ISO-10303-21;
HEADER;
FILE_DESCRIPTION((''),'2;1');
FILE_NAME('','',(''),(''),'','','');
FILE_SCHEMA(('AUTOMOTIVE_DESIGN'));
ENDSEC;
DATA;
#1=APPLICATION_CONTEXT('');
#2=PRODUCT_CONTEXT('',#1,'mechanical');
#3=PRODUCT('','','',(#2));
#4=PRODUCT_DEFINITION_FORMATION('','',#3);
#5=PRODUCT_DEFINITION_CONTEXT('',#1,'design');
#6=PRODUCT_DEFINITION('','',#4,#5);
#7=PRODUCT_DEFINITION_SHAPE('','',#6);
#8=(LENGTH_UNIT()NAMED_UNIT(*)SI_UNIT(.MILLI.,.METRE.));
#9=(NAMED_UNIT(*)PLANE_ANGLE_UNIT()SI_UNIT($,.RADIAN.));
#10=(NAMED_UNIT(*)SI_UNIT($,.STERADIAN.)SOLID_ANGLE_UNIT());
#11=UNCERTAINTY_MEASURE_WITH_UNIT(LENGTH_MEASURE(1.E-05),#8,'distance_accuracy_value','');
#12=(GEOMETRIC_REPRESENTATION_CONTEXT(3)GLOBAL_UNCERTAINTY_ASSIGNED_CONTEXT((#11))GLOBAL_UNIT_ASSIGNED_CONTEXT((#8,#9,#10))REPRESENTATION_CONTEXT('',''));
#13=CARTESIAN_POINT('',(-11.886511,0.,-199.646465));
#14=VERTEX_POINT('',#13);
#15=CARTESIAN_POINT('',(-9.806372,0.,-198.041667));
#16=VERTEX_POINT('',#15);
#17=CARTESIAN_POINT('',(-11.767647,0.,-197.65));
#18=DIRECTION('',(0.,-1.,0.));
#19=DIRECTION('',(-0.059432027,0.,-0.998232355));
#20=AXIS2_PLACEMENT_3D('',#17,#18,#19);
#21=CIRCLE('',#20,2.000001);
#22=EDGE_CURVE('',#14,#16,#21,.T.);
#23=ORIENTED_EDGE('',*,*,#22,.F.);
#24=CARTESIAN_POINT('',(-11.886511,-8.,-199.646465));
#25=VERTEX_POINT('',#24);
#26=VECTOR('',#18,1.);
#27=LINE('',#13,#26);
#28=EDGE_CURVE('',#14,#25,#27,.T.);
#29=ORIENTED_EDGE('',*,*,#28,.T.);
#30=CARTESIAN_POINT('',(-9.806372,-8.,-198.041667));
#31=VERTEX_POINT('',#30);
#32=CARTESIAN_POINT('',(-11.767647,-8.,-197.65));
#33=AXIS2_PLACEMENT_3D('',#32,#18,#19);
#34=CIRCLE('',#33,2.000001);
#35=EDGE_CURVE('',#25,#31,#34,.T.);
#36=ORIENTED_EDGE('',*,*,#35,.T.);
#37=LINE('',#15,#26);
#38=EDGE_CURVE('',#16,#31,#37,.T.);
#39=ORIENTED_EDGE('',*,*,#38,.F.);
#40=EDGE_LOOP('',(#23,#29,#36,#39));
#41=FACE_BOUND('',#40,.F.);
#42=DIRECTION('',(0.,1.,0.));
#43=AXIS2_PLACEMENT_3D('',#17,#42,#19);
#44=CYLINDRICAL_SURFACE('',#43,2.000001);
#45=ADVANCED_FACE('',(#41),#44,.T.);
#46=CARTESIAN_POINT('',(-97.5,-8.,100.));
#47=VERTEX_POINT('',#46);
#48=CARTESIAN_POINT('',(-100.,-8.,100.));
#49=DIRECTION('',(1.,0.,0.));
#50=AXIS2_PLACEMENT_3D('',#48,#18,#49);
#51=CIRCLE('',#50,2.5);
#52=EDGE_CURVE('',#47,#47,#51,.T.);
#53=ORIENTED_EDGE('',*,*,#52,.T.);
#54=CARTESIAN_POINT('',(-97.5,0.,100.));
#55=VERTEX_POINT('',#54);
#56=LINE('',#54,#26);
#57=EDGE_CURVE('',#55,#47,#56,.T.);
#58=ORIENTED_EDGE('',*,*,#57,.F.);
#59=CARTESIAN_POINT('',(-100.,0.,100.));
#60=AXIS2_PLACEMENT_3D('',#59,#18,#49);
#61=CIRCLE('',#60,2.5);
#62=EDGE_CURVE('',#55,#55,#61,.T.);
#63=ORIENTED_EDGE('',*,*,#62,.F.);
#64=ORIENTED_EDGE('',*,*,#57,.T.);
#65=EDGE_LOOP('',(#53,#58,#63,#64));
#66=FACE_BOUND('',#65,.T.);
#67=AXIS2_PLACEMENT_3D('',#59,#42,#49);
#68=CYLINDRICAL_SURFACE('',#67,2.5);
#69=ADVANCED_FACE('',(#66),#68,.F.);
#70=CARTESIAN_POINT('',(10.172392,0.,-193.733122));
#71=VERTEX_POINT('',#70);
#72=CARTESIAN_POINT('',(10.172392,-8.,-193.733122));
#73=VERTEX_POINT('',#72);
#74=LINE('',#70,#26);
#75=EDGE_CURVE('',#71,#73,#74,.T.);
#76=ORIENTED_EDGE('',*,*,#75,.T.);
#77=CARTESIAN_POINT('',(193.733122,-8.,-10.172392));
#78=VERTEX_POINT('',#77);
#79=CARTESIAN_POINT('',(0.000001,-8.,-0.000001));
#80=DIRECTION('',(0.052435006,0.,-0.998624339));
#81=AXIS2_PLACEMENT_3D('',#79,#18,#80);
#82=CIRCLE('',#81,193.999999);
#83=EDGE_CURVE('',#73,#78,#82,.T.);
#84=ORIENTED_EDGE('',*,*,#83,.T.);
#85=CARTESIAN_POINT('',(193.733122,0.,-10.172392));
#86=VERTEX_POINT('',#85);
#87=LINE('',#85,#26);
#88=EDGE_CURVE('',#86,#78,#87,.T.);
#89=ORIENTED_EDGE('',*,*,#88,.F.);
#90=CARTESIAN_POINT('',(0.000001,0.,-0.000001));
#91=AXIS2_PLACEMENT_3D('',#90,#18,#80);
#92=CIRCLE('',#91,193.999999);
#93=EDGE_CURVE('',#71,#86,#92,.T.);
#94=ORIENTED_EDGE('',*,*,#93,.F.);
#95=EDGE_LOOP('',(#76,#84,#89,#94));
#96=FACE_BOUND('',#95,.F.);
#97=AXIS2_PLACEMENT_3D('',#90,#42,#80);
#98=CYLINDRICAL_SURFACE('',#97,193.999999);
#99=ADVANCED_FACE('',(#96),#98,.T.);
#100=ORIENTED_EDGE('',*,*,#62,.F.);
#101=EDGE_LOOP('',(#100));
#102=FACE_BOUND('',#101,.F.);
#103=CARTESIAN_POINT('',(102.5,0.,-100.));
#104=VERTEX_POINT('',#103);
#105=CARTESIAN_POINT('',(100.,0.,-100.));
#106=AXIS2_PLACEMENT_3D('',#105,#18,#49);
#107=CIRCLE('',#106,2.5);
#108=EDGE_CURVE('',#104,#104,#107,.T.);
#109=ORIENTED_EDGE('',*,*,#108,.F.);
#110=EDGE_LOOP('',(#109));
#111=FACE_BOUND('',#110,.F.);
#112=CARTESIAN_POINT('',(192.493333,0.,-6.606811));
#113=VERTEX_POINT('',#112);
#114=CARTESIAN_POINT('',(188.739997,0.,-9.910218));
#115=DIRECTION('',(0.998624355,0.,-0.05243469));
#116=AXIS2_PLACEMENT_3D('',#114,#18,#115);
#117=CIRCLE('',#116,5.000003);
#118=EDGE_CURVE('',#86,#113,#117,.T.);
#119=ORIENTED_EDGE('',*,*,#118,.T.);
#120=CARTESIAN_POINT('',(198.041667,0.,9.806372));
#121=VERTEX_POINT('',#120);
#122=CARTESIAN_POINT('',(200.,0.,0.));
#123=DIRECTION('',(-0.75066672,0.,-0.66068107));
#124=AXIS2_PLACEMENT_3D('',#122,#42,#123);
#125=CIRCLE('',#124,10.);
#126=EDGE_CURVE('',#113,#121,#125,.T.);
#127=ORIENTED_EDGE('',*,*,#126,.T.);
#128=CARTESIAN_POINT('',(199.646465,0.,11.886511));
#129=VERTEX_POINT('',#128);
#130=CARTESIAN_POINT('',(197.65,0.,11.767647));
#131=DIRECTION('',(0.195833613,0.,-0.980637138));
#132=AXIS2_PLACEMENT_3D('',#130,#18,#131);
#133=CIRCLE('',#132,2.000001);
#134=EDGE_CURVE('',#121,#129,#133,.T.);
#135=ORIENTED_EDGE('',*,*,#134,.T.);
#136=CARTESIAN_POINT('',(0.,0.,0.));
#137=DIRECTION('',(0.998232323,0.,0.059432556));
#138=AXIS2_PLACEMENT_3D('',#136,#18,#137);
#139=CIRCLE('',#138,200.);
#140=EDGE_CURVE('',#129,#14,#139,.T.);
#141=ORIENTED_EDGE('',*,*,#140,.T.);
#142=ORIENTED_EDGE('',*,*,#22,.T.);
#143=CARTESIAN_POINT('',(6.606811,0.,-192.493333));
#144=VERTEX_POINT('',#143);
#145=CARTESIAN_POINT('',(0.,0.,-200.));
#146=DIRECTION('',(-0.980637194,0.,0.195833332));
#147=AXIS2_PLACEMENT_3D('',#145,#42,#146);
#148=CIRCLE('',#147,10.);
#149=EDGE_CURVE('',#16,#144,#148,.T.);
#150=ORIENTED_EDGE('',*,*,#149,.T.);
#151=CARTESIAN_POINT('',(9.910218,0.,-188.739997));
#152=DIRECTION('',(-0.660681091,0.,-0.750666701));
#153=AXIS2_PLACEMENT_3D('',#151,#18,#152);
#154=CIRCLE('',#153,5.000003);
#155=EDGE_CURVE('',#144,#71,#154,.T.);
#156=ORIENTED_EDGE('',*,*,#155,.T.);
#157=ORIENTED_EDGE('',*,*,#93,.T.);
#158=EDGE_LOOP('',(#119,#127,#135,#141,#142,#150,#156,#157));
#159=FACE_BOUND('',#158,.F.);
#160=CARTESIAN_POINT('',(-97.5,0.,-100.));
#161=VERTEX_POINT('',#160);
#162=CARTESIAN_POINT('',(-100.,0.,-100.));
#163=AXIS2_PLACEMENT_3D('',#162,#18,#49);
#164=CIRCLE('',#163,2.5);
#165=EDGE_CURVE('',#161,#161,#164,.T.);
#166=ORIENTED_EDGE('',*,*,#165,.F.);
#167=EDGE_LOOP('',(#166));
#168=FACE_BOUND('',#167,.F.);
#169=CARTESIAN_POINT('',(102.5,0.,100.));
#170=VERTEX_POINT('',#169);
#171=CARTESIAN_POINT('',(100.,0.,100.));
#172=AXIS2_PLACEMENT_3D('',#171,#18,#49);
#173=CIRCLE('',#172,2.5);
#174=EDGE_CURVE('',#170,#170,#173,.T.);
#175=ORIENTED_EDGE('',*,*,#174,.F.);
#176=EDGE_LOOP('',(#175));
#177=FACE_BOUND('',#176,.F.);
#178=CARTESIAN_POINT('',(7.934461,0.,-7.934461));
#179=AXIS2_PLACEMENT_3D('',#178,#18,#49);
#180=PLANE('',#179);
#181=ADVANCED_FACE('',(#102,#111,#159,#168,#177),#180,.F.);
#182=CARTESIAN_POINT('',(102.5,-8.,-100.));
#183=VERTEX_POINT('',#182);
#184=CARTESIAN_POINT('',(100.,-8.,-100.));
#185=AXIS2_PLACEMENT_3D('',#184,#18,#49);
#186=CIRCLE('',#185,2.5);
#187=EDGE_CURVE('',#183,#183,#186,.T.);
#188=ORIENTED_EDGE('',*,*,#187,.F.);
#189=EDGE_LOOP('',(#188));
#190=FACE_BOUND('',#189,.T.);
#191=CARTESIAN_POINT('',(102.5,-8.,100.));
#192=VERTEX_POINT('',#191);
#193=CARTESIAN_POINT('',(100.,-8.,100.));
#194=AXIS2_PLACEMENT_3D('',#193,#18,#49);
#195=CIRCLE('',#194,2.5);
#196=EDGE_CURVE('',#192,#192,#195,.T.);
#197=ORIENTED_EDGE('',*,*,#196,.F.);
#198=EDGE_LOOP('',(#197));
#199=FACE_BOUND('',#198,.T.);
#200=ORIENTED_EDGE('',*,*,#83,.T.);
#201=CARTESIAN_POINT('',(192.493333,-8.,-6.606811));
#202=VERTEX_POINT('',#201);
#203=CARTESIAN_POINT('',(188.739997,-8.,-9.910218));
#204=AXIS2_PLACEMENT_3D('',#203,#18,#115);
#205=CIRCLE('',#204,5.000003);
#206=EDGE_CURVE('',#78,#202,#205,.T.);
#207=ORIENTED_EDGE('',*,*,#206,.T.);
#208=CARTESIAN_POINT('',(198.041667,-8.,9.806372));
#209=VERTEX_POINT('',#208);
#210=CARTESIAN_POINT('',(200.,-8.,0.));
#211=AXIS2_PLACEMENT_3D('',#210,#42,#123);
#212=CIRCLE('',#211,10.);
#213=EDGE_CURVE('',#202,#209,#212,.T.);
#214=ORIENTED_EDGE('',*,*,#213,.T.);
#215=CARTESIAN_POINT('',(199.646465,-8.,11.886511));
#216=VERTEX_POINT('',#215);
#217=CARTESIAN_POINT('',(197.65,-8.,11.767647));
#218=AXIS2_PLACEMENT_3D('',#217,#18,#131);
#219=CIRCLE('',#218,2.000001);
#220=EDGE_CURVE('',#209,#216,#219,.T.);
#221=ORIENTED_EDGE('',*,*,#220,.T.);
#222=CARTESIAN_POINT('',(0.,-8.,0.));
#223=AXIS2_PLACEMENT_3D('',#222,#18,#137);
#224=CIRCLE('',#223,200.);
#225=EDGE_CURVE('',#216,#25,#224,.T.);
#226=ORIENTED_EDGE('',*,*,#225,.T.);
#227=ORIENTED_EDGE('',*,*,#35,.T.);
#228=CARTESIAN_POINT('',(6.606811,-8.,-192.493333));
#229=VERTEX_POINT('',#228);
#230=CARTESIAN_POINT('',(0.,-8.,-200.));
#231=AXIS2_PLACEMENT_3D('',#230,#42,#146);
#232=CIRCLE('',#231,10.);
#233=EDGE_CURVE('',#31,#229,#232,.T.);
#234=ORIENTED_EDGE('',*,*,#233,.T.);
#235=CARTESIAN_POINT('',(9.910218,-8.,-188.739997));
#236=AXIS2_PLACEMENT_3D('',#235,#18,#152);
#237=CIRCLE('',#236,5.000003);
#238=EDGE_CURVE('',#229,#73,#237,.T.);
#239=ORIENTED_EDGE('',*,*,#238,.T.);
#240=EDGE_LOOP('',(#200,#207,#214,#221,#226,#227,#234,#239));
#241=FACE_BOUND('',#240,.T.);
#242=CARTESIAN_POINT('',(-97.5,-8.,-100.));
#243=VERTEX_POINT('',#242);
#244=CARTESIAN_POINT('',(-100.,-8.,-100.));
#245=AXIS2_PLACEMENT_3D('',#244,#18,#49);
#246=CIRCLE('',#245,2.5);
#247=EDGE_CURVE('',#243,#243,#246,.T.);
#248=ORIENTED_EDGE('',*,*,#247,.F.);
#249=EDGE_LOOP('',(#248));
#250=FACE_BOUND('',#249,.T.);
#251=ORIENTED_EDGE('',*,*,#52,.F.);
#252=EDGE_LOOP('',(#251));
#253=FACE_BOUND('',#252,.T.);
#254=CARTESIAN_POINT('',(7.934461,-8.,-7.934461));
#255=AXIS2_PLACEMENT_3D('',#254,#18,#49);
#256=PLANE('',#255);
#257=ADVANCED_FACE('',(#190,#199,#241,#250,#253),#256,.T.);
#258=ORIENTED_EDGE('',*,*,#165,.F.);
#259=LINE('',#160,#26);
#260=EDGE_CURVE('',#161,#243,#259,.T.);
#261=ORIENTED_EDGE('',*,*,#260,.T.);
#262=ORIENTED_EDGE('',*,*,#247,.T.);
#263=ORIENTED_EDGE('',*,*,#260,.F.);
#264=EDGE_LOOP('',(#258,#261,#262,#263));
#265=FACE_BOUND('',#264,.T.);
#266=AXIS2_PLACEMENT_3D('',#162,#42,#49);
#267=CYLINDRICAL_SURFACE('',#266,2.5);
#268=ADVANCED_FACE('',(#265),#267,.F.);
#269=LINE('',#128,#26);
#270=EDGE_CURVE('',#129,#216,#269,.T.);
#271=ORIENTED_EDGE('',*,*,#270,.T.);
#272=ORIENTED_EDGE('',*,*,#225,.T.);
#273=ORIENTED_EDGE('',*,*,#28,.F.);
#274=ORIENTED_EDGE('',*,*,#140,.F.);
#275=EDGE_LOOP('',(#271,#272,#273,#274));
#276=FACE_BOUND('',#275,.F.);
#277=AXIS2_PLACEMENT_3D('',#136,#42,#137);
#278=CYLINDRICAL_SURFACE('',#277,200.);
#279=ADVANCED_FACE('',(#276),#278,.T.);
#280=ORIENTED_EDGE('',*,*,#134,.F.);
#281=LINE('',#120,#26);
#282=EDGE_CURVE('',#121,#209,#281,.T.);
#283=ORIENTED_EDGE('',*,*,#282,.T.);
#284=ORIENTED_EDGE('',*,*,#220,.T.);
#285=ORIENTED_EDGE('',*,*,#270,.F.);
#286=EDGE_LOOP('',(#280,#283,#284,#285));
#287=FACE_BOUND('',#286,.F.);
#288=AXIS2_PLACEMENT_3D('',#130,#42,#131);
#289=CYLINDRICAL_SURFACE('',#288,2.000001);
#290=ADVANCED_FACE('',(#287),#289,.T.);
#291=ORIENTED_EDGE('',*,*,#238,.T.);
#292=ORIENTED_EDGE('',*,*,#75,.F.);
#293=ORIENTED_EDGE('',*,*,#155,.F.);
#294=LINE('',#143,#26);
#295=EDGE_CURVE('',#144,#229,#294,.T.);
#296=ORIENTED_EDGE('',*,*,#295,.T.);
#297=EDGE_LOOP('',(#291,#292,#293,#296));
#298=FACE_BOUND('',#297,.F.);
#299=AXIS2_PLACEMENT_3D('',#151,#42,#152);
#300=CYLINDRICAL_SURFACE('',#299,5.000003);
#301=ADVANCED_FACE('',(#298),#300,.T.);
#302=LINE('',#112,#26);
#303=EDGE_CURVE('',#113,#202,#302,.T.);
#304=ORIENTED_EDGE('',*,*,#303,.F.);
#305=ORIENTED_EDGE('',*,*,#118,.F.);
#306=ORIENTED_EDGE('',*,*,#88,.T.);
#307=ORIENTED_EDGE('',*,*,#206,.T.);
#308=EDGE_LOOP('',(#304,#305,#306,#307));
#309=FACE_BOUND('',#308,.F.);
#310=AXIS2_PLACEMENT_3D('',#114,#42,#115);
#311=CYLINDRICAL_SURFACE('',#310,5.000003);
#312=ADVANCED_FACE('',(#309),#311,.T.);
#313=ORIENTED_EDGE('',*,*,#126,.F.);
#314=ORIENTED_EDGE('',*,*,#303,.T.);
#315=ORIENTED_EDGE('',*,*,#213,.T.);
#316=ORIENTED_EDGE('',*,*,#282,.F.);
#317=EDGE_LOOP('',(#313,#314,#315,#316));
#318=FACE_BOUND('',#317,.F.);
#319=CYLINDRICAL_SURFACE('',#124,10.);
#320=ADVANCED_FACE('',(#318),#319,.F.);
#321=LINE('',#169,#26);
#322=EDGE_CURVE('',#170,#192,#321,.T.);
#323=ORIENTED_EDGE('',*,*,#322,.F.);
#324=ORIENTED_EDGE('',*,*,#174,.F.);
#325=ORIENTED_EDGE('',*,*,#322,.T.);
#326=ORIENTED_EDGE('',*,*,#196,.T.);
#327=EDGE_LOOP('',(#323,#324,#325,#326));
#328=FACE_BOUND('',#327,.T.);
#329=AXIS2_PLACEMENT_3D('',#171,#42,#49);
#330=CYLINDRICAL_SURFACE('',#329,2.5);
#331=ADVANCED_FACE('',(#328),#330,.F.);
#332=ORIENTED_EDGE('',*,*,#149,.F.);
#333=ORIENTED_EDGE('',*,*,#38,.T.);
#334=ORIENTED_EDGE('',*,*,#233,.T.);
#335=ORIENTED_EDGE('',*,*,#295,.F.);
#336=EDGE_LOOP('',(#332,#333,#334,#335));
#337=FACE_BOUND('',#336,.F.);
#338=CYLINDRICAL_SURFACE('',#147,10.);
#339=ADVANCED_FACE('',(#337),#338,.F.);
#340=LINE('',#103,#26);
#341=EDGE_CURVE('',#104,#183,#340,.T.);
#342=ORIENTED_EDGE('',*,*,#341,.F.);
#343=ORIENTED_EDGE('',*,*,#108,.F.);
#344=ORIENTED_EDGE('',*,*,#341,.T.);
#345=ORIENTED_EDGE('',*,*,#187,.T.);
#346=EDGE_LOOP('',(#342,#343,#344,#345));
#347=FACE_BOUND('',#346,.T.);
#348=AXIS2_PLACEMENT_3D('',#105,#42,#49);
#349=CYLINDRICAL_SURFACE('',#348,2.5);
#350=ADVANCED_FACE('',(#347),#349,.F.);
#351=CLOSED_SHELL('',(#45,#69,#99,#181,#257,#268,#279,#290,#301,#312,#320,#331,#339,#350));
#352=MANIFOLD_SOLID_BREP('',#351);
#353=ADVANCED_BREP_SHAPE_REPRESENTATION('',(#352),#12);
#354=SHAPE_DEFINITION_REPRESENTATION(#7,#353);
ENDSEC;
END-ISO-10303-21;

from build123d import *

# Parameters (mm, degrees)
F0_R     = 2.5
F1_DEPTH = 8


with BuildPart() as f1:
    # F0 (on Front) → F1 (new body)
    with BuildSketch(Plane.XZ):
        with BuildLine():
            ThreePointArc((198.041667, 9.806372), (199.233521, 10.545983), (199.646465, 11.886511))
            ThreePointArc((199.646465, 11.886511), (-141.421356, 141.421356), (-11.886511, -199.646465))
            ThreePointArc((-11.886511, -199.646465), (-10.545983, -199.233521), (-9.806372, -198.041667))
            ThreePointArc((-9.806372, -198.041667), (-3.202389, -190.526632), (6.606811, -192.493333))
            ThreePointArc((6.606811, -192.493333), (8.268103, -193.462654), (10.172392, -193.733122))
            ThreePointArc((10.172392, -193.733122), (137.178716, -137.178716), (193.733122, -10.172392))
            ThreePointArc((193.733122, -10.172392), (193.462654, -8.268103), (192.493333, -6.606811))
            ThreePointArc((192.493333, -6.606811), (190.526632, 3.202389), (198.041667, 9.806372))
        make_face()
        with Locations((-100, -100)):
            Circle(F0_R, mode=Mode.SUBTRACT)
        with Locations((100, -100)):
            Circle(F0_R, mode=Mode.SUBTRACT)
        with Locations((-100, 100)):
            Circle(F0_R, mode=Mode.SUBTRACT)
        with Locations((100, 100)):
            Circle(F0_R, mode=Mode.SUBTRACT)
    extrude(amount=F1_DEPTH)


solid = f1.part
